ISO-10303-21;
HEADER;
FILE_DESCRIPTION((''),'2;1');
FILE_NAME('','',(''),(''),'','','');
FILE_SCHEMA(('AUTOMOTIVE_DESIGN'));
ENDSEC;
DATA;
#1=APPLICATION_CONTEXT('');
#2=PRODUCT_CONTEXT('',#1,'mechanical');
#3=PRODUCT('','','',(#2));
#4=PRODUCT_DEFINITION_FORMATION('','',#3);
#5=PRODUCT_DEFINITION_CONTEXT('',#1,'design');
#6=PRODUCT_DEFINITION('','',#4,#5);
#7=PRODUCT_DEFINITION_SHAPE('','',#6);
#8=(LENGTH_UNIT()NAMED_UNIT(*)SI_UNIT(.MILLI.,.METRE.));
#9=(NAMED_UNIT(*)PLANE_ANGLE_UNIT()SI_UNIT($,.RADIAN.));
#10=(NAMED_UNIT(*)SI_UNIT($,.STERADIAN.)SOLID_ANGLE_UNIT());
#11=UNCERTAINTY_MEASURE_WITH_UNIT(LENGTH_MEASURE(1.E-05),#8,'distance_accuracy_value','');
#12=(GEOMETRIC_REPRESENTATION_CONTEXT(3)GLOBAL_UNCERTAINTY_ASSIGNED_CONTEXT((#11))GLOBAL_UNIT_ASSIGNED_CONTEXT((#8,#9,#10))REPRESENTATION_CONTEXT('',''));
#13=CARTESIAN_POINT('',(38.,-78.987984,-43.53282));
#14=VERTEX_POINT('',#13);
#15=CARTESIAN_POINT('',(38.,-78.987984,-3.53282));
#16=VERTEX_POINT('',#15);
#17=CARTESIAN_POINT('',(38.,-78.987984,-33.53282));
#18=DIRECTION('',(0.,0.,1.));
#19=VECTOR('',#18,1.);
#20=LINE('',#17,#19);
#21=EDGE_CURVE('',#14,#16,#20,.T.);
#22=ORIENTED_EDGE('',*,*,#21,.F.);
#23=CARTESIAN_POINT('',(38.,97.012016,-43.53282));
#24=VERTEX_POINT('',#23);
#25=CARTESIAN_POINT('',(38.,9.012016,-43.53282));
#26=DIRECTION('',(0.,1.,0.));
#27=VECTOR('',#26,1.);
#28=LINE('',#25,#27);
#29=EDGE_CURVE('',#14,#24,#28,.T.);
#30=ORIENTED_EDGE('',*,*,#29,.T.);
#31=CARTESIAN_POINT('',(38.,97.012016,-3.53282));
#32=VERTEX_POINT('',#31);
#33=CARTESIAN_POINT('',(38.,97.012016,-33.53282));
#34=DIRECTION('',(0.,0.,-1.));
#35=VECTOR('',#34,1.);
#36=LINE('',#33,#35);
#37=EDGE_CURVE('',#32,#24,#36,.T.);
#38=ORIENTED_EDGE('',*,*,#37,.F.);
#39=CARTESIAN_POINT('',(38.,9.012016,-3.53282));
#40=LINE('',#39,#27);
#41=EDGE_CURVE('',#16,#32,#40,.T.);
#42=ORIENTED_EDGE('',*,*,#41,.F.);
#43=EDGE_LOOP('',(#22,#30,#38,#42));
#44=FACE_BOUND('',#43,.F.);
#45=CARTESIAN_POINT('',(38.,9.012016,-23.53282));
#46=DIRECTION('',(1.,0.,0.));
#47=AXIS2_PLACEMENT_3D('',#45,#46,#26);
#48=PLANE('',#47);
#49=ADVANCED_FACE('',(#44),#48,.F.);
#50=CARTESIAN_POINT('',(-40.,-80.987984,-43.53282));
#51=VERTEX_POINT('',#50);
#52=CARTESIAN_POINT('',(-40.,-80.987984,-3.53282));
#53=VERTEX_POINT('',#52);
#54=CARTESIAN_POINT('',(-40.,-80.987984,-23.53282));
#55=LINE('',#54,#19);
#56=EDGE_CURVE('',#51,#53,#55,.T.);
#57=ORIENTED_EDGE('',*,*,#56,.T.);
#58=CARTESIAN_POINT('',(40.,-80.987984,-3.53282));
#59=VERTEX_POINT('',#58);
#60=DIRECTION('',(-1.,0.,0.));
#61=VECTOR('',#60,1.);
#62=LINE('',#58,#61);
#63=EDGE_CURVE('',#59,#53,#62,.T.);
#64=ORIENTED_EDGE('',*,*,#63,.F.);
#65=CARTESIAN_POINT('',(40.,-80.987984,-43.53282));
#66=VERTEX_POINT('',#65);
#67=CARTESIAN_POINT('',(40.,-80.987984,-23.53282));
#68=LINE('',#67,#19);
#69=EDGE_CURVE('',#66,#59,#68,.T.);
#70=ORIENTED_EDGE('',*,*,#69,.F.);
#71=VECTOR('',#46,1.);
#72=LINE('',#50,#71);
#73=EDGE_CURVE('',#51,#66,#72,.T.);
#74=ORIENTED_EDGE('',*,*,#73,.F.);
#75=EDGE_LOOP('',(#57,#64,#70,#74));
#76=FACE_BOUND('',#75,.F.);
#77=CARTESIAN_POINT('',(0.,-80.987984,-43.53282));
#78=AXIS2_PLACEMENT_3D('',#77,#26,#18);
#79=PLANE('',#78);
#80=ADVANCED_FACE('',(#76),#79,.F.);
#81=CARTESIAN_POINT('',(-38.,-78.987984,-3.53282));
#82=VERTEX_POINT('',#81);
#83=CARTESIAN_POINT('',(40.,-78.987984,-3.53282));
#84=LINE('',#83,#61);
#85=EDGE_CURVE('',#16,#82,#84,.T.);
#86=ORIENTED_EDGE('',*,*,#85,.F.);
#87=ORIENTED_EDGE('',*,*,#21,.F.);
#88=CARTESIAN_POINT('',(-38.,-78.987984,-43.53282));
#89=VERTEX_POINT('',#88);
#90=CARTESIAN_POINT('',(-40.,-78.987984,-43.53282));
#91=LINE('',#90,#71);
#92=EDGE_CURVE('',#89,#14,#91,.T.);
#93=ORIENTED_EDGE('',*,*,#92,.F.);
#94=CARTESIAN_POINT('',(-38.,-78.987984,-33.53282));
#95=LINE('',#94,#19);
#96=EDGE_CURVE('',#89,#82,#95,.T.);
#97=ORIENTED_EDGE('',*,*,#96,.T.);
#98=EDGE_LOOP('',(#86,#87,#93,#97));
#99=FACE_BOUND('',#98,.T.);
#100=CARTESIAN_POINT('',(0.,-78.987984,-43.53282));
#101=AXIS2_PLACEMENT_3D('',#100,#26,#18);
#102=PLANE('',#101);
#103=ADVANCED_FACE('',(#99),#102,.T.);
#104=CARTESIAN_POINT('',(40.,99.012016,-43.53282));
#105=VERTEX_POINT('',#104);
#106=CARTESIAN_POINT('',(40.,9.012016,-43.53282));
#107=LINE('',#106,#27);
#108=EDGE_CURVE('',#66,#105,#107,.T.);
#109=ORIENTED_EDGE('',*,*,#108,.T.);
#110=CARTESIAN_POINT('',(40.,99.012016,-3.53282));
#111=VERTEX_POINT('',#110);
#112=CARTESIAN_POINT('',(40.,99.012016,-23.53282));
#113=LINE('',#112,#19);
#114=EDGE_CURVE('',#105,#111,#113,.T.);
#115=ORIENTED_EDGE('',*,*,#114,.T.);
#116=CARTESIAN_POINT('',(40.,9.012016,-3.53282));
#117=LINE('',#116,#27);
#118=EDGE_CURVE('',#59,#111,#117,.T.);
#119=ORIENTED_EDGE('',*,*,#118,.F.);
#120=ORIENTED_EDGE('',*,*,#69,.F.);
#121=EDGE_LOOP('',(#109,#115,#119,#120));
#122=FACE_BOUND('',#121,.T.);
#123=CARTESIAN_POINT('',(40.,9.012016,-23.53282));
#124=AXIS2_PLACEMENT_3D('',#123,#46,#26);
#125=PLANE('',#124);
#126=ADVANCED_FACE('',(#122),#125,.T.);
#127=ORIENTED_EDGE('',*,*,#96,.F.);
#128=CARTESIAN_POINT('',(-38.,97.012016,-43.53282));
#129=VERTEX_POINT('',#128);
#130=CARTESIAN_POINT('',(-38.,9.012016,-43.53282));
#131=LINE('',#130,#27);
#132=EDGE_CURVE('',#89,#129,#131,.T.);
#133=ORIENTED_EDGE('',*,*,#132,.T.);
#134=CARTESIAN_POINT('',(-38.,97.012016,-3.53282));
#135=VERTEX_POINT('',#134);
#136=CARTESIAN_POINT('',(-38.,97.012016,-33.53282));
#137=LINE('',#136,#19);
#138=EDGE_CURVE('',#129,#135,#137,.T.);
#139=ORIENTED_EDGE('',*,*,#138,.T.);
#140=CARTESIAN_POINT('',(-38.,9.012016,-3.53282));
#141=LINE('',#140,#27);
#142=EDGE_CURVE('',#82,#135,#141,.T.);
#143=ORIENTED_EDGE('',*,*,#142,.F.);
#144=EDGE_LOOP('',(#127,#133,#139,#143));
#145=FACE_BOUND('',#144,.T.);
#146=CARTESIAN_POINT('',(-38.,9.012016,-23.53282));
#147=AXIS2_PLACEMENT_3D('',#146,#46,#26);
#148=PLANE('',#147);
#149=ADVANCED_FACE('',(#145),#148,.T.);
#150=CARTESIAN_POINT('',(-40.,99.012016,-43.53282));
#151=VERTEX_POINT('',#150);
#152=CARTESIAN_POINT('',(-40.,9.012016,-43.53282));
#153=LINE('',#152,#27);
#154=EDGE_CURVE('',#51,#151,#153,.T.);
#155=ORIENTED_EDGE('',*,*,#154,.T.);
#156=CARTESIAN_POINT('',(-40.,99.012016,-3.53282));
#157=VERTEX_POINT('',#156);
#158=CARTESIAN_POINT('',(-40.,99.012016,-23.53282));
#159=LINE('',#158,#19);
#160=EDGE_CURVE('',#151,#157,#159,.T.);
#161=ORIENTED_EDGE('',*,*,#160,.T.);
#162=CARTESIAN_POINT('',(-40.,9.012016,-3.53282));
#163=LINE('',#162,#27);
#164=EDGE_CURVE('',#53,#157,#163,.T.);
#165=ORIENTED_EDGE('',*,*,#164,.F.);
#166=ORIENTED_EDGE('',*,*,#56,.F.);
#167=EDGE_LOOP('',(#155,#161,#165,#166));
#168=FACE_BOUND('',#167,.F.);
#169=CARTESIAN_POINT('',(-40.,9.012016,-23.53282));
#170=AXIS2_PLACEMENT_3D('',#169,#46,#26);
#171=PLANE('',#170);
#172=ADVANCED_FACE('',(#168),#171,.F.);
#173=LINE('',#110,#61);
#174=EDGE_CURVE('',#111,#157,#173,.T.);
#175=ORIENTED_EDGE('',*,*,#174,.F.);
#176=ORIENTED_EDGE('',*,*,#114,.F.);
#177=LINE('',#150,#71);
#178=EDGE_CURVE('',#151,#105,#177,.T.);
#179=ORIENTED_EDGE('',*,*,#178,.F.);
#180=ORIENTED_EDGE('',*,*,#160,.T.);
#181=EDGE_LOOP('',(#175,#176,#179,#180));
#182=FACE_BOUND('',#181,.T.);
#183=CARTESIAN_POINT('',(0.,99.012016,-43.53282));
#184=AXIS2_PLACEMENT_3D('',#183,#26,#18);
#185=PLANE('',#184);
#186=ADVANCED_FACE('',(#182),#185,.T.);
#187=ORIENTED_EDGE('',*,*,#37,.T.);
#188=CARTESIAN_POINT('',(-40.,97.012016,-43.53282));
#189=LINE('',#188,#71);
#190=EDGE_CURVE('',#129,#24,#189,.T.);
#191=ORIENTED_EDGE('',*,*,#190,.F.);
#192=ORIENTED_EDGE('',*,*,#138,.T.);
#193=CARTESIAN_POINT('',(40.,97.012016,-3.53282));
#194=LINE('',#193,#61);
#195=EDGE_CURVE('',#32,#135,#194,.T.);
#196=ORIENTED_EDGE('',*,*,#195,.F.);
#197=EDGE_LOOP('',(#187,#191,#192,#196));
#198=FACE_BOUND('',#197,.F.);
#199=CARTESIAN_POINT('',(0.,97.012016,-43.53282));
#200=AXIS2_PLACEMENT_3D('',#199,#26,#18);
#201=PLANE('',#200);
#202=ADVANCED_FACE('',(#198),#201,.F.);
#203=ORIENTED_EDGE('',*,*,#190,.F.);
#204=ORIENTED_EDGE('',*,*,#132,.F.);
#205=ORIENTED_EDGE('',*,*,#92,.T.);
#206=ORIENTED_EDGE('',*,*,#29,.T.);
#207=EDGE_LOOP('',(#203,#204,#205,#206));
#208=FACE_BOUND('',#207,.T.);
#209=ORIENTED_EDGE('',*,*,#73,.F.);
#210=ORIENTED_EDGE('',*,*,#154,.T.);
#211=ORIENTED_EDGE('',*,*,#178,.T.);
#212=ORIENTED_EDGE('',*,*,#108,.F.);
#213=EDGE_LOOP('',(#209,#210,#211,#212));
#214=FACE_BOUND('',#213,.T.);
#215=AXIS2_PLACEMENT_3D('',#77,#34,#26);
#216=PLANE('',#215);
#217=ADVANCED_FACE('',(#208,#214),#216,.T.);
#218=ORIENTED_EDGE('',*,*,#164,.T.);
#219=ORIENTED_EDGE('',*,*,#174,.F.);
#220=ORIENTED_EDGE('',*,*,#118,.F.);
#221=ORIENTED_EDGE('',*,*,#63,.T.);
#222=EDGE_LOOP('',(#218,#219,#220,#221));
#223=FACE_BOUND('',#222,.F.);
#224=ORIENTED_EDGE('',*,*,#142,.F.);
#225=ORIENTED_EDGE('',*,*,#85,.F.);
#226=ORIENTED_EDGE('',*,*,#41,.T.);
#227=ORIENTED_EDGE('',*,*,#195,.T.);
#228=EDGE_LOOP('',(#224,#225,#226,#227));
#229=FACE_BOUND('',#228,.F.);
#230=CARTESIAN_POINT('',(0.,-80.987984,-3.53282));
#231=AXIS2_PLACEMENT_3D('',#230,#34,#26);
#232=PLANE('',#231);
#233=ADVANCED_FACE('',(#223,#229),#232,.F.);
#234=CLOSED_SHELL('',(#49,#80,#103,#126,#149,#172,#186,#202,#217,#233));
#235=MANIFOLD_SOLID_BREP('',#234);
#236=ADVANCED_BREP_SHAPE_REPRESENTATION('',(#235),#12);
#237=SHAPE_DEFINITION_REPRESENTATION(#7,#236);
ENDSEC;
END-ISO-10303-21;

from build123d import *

# Parameters (mm, degrees)
F0_W     = 180
F0_H     = 40
F1_DEPTH = 40
F2_T     = -2


with BuildPart() as f1:
    # F0 (on Right) → F1 (new body, symmetric)
    with BuildSketch(Plane.YZ):
        with Locations((9.012016, -23.53282)):
            Rectangle(F0_W, F0_H)
    extrude(amount=F1_DEPTH, both=True)

    # F2
    f2_openings = [f1.faces().sort_by_distance(p)[0] for p in [
        (0, 9.012016, -3.53282),
        (0, 9.012016, -43.53282),
    ]]
    offset(amount=F2_T, openings=f2_openings)


solid = f1.part
